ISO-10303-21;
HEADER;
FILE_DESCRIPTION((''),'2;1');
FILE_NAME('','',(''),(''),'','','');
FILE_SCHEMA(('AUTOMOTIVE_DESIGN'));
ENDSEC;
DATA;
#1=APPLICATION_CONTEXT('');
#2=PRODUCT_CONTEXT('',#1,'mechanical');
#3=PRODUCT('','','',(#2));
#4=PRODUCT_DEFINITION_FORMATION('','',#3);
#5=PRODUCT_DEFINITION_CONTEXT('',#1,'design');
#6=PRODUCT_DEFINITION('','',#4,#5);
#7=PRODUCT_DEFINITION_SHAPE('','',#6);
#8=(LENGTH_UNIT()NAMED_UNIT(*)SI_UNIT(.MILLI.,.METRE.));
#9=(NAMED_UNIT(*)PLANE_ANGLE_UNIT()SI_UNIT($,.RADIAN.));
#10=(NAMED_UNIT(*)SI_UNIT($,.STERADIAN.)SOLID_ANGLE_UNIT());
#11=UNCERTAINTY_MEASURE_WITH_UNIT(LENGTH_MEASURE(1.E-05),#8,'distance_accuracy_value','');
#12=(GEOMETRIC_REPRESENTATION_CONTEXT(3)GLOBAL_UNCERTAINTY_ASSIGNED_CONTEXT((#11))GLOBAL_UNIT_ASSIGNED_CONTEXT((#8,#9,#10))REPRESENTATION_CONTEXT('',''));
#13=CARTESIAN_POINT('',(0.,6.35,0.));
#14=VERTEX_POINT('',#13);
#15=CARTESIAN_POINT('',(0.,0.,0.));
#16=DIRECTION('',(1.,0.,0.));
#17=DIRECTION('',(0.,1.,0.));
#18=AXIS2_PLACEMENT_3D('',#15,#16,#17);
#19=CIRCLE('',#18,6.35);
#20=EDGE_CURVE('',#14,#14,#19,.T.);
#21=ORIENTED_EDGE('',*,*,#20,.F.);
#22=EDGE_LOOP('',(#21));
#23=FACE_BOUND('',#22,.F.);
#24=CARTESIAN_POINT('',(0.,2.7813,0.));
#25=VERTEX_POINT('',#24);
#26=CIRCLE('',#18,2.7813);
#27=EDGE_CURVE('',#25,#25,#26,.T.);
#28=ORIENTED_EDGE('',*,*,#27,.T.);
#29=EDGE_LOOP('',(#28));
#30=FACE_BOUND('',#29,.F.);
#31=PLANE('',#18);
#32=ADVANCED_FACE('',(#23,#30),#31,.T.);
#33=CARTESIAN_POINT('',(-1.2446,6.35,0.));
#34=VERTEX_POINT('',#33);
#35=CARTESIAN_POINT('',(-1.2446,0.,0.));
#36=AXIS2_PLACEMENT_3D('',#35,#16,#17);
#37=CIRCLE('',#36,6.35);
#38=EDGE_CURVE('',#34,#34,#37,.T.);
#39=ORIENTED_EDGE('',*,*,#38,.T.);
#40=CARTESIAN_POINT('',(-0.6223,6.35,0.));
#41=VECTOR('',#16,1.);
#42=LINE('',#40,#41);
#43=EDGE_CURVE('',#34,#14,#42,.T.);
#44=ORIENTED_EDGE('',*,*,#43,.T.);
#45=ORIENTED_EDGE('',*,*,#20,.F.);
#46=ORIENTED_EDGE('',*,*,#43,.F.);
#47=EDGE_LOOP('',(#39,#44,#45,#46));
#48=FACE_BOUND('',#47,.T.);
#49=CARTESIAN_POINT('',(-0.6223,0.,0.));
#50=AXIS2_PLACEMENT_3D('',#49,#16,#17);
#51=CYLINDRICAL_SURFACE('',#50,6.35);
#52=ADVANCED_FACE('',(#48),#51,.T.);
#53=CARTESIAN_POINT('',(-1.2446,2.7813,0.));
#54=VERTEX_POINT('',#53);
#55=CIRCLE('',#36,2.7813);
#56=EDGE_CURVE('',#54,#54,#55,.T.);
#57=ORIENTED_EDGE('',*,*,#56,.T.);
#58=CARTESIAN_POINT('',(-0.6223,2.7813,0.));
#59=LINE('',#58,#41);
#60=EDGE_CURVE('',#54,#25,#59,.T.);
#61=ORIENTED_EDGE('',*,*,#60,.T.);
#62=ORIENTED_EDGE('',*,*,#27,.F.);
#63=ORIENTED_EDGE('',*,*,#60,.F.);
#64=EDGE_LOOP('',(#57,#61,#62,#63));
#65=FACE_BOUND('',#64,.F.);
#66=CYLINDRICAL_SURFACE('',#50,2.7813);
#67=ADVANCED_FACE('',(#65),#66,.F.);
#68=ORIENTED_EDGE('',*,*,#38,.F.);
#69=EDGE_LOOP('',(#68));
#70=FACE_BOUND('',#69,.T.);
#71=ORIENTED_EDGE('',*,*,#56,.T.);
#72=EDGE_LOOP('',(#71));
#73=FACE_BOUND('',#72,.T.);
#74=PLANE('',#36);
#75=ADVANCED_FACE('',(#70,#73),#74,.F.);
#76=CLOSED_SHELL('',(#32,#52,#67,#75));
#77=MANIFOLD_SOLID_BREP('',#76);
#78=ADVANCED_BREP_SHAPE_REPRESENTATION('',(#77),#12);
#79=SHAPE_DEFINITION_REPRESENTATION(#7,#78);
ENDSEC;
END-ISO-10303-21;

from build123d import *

# Parameters (mm, degrees)
SKETCH1_W = 1.2446
SKETCH1_H = 3.5687


with BuildPart() as part:
    # Sketch1 → Base-Revolve (revolve)
    with BuildSketch(Plane.XY):
        with Locations((-0.6223, 4.56565)):
            Rectangle(SKETCH1_W, SKETCH1_H)
    revolve(axis=Axis((-34.925, 0, 0), (1, 0, 0)))


solid = part.part
